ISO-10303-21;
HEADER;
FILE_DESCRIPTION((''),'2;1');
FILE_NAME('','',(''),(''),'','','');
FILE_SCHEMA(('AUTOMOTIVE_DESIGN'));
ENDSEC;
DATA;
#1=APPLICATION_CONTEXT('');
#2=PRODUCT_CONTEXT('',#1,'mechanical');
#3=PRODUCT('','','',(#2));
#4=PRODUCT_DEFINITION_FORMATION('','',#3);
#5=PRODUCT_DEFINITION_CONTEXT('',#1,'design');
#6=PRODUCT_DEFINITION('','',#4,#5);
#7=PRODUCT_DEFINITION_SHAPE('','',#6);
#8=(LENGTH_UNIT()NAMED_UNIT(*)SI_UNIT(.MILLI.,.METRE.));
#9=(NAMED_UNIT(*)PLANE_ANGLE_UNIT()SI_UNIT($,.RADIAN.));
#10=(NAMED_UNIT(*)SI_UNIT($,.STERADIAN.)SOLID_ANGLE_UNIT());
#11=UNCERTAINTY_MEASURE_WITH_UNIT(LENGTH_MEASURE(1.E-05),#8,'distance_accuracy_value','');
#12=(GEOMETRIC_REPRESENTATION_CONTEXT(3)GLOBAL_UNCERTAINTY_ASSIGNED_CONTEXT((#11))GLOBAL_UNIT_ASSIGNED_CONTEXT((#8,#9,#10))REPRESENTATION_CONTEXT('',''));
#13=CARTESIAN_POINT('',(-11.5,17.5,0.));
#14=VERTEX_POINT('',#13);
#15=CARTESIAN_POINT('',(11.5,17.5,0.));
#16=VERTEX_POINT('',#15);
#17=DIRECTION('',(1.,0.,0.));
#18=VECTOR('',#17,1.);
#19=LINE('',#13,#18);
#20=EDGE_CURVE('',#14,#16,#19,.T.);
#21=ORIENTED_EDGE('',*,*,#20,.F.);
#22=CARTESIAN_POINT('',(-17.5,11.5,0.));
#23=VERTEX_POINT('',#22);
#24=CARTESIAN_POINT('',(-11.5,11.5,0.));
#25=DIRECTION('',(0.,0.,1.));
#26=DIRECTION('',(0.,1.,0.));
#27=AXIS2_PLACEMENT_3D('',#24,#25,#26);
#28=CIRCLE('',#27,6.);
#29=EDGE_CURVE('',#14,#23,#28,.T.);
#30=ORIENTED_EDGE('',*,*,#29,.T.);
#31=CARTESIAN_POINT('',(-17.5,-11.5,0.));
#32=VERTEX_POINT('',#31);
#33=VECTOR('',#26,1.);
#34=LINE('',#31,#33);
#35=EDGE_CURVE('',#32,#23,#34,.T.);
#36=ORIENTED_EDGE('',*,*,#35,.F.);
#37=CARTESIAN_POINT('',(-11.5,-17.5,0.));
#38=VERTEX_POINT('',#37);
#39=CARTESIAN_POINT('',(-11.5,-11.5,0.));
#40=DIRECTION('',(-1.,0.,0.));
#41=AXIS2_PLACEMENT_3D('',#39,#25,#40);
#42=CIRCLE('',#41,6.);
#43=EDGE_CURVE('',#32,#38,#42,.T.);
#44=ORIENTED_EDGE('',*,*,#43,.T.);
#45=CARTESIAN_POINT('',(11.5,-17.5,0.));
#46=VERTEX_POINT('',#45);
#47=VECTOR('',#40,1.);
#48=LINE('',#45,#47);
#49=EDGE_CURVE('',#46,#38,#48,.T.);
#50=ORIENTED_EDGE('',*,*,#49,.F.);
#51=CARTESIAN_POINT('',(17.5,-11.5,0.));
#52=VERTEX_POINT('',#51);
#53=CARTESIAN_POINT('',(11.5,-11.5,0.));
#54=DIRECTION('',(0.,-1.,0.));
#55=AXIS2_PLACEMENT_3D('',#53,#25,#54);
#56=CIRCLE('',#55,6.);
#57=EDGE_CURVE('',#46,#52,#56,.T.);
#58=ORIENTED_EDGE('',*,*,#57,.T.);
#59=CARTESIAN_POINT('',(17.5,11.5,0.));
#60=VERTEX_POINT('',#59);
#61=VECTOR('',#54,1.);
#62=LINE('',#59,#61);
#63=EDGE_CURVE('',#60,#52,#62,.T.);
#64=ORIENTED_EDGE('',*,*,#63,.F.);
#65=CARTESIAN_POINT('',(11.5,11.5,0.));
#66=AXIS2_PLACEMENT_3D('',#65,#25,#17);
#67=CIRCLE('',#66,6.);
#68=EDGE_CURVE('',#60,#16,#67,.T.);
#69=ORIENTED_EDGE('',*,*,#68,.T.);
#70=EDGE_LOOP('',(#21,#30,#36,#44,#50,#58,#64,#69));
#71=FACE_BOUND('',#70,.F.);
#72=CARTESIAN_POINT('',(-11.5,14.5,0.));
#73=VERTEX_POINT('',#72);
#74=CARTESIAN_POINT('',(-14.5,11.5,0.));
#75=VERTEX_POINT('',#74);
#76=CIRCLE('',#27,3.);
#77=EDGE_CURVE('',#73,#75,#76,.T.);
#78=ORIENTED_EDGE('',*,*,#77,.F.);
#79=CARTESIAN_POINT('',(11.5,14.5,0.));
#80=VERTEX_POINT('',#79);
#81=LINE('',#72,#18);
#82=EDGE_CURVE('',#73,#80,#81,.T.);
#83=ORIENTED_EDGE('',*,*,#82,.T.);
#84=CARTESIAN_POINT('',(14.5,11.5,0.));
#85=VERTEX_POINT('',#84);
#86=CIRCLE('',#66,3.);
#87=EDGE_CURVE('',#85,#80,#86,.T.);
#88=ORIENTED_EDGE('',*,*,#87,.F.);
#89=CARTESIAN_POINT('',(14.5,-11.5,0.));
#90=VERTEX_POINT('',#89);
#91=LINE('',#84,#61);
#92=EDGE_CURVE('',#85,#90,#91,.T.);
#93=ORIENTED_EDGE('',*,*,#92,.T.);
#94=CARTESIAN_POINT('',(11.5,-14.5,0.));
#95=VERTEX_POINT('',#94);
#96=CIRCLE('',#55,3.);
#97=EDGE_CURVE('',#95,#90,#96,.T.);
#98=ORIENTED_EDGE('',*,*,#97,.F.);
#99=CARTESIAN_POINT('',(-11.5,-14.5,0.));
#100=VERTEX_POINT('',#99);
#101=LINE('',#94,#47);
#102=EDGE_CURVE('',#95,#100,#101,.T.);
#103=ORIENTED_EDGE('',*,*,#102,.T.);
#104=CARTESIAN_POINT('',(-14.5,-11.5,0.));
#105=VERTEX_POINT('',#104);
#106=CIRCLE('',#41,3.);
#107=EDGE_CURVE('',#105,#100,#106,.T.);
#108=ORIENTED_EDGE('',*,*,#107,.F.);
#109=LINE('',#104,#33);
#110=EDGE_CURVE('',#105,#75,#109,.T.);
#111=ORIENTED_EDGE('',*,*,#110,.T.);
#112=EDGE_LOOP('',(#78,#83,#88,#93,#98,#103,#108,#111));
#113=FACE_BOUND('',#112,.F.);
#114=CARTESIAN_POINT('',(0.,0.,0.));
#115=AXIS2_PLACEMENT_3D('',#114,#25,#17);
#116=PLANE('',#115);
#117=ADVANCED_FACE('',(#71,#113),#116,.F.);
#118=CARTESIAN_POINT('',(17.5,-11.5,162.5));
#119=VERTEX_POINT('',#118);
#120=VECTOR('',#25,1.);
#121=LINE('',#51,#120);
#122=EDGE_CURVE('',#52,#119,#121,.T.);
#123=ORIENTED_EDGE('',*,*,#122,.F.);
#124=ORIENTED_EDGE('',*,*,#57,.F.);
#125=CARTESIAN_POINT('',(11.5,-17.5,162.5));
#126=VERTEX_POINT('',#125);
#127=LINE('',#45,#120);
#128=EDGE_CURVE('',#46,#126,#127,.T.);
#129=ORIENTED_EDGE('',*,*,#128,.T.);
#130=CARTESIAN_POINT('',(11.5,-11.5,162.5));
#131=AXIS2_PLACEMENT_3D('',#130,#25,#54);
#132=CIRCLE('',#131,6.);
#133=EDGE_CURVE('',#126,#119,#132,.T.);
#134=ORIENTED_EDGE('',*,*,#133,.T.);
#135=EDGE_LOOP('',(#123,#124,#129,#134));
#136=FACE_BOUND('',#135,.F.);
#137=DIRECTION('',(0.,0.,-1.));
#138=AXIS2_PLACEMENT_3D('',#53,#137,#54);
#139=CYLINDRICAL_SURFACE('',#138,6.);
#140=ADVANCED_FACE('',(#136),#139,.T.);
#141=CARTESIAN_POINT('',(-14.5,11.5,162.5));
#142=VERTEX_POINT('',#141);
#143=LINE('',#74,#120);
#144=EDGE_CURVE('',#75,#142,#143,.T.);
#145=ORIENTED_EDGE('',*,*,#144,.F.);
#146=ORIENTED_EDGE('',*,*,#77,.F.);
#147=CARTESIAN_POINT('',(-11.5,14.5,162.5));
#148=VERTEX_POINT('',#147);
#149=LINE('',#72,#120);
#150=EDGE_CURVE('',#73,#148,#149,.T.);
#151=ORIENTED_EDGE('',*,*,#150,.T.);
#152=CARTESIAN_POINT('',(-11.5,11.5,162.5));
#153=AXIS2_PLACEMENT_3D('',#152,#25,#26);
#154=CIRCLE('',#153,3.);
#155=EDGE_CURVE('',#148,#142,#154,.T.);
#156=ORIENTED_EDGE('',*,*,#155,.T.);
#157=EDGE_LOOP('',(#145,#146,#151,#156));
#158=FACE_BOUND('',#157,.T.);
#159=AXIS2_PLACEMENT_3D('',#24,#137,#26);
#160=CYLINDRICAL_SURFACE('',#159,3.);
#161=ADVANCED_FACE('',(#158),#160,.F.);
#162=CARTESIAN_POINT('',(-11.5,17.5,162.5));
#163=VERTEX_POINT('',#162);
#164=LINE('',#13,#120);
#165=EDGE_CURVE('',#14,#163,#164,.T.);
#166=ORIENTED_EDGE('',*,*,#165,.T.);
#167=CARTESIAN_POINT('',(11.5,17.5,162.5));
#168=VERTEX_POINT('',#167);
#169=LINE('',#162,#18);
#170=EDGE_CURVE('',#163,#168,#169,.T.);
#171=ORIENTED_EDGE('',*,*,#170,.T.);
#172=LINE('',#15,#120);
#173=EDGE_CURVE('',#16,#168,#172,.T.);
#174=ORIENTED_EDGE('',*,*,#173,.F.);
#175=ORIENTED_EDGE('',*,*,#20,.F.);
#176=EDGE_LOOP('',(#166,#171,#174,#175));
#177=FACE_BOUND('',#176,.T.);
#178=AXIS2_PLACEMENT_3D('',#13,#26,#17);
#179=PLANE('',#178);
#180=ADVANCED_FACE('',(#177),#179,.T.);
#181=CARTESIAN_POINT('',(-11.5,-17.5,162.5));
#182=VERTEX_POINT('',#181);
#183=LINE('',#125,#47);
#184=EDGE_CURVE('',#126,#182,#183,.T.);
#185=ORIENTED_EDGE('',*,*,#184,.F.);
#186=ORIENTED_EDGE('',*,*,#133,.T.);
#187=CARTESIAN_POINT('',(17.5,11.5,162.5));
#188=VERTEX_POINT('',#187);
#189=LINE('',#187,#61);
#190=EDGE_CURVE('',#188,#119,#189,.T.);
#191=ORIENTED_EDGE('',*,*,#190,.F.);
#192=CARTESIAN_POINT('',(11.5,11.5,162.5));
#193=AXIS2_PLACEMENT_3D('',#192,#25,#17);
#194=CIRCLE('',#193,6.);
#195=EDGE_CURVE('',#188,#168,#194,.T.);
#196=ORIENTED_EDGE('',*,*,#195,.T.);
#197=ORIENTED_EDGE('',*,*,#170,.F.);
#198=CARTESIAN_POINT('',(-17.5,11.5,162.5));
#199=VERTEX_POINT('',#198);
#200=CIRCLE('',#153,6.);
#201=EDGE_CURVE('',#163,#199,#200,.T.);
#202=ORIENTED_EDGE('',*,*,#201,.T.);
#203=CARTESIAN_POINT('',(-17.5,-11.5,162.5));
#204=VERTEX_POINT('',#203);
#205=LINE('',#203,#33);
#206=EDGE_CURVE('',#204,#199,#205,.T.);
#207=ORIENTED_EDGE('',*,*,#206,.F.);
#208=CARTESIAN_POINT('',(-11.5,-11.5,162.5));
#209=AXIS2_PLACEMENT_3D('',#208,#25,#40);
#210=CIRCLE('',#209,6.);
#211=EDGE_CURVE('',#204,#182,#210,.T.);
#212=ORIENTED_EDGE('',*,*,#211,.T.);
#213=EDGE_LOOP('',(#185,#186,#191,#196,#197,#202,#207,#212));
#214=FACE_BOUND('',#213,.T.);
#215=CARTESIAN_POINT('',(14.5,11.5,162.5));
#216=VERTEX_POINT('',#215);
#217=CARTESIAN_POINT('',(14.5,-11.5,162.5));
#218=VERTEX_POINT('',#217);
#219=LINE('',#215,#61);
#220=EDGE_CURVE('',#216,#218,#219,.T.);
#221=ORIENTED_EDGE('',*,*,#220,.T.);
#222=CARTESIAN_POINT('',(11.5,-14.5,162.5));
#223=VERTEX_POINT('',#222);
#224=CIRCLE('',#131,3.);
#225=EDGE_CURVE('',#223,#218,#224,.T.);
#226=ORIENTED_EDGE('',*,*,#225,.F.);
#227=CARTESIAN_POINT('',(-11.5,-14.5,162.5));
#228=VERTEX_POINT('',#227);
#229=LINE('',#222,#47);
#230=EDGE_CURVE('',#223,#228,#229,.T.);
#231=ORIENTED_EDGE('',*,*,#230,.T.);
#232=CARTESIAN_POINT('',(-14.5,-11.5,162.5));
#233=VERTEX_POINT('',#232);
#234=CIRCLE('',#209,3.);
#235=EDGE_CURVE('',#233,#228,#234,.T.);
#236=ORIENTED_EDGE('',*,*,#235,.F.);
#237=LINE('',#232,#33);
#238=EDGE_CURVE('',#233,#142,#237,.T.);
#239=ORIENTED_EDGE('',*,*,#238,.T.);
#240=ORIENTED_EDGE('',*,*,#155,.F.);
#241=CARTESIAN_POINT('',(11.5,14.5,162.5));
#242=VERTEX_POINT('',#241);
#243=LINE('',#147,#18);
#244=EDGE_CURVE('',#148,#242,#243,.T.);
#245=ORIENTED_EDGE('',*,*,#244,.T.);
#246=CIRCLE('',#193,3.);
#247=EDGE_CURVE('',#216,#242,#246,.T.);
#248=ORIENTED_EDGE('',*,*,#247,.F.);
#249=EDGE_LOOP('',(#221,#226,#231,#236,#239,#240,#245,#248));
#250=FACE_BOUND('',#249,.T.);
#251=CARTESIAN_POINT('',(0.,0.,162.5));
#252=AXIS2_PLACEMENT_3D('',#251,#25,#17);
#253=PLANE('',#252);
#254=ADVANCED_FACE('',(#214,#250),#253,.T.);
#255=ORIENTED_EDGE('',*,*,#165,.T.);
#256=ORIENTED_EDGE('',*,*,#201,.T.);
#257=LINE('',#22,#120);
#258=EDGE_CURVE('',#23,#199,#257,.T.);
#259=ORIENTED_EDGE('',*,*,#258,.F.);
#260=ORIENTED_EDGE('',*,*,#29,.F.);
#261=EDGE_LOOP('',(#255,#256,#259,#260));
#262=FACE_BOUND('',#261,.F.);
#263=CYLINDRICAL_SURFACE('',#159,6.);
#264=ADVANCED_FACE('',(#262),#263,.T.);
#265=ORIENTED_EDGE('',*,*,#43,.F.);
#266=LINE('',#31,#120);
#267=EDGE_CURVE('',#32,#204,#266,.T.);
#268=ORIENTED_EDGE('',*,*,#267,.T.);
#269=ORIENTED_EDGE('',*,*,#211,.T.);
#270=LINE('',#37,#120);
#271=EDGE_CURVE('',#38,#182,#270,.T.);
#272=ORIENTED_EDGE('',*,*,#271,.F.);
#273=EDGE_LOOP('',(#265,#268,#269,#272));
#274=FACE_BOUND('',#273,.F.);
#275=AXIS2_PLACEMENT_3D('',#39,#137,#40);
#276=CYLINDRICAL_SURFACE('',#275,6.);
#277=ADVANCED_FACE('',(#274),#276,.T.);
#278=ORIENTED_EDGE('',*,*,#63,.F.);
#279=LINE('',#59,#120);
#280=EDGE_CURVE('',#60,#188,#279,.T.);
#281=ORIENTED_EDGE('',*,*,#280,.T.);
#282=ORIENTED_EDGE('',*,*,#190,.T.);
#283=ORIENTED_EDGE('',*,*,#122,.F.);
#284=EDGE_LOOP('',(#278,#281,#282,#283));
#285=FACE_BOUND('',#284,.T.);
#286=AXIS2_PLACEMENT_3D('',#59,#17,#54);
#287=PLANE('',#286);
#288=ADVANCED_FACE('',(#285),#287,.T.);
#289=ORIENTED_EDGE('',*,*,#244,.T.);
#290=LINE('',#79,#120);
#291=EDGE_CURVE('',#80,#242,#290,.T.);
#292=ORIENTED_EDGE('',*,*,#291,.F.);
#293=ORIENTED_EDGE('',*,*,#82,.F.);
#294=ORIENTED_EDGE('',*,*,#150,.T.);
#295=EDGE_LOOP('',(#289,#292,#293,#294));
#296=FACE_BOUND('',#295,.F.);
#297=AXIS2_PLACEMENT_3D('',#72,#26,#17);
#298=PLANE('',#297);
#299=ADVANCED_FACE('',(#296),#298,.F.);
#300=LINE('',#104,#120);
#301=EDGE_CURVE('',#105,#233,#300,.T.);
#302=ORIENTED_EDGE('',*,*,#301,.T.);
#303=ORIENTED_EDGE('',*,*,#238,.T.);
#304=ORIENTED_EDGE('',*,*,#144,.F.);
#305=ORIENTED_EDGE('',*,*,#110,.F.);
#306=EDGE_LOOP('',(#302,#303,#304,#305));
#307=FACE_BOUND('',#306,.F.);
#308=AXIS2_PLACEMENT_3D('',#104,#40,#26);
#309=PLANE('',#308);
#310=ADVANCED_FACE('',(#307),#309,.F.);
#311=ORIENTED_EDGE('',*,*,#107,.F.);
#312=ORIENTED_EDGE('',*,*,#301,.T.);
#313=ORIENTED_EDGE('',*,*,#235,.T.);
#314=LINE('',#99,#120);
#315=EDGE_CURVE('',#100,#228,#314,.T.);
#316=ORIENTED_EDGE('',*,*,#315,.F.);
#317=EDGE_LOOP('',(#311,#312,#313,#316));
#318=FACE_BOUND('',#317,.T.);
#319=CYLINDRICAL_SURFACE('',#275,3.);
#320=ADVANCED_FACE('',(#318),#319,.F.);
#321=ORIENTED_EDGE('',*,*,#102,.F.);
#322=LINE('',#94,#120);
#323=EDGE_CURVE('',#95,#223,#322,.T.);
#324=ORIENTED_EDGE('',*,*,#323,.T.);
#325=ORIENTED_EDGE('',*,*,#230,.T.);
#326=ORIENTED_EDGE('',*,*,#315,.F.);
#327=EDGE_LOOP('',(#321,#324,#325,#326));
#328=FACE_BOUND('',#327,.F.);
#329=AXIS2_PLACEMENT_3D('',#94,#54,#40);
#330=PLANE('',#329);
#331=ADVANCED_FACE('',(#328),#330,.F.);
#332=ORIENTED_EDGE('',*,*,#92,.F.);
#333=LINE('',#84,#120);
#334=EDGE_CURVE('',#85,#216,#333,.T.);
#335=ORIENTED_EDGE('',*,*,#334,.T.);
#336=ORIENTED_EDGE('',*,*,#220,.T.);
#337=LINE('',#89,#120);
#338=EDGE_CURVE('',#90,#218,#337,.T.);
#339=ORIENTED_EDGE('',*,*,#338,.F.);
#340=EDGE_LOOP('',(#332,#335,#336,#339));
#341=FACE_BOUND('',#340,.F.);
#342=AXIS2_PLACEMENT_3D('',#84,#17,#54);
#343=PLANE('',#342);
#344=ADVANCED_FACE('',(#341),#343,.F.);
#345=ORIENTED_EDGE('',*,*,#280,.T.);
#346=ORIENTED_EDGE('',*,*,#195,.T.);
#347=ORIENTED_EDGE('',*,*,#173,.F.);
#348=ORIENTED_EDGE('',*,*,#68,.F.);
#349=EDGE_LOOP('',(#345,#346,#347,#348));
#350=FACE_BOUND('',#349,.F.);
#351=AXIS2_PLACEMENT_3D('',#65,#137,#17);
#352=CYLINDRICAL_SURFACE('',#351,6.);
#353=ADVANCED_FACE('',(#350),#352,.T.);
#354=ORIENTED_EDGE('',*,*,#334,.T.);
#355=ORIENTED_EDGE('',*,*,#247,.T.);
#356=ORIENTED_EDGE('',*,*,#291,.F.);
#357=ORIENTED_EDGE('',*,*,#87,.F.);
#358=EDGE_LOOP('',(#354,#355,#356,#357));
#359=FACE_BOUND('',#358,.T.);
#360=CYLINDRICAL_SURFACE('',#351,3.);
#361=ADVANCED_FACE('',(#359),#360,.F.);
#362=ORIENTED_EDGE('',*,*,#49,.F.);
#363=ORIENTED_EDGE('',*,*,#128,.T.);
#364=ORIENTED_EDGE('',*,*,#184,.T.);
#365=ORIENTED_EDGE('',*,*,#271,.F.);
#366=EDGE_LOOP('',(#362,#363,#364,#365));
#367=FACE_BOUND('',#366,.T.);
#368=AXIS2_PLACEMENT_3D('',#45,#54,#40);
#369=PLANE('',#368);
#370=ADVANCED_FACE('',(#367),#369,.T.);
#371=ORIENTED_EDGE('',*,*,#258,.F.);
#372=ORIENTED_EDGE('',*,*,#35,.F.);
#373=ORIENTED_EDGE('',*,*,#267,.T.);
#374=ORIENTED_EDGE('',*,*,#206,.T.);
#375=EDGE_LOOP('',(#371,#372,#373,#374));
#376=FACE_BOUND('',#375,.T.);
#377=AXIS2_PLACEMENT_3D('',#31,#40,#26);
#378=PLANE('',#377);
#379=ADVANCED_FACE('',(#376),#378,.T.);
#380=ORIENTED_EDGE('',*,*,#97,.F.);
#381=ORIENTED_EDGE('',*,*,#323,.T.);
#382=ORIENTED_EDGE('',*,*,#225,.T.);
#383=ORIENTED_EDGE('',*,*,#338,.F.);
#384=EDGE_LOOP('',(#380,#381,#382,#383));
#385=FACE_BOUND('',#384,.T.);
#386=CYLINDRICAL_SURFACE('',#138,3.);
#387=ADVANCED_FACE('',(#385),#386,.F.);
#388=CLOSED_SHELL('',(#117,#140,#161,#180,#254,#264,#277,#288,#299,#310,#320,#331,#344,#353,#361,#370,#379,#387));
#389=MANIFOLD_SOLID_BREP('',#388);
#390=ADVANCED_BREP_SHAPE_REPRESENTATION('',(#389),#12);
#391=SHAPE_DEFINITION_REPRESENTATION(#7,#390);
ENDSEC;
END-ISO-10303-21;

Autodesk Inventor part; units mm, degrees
ref_plane "Start plane" through (0, 0, 0) normal (0, 0, 1) x (1, 0, 0)
ref_plane "End plane" through (0, 0, 162.5) normal (0, 0, 1) x (1, 0, 0)
sketch "Sketch" plane through (0, 0, 0) normal (0, 0, 1) x (1, 0, 0)
  line L0 (-17.5, -11.5) -> (-17.5, 11.5)
  line L1 (-11.5, 17.5) -> (11.5, 17.5)
  line L2 (17.5, 11.5) -> (17.5, -11.5)
  line L3 (11.5, -17.5) -> (-11.5, -17.5)
  arc A0 (-17.5, -11.5) -> (-11.5, -17.5) centre (-11.5, -11.5) ccw
  arc A1 (-11.5, 17.5) -> (-17.5, 11.5) centre (-11.5, 11.5) ccw
  arc A2 (17.5, 11.5) -> (11.5, 17.5) centre (11.5, 11.5) ccw
  arc A3 (11.5, -17.5) -> (17.5, -11.5) centre (11.5, -11.5) ccw
  arc A4 (-11.5, 14.5) -> (-14.5, 11.5) centre (-11.5, 11.5) ccw
  line L4 (-11.5, 14.5) -> (11.5, 14.5)
  arc A5 (14.5, 11.5) -> (11.5, 14.5) centre (11.5, 11.5) ccw
  line L5 (14.5, 11.5) -> (14.5, -11.5)
  arc A6 (11.5, -14.5) -> (14.5, -11.5) centre (11.5, -11.5) ccw
  line L6 (11.5, -14.5) -> (-11.5, -14.5)
  arc A7 (-14.5, -11.5) -> (-11.5, -14.5) centre (-11.5, -11.5) ccw
  line L7 (-14.5, -11.5) -> (-14.5, 11.5)
  line L8 (0, 25.4278) -> (0, -25.4278) construction
  line L9 (-25.4278, 0) -> (25.4278, 0) construction
  dimension "d7" = 6
  dimension "d10" = 35
  dimension "d11" = 35
  dimension "d12" = 3
  dimension "d15" = 17.5
  dimension "d16" = 17.5
extrude "Body" add sketch "Sketch" along normal up to surface (162.5 mm away) from surface at 0
sketch "Sketch3" plane through (0, 0, 0) normal (0, 0, 1) x (1, 0, 0)
  line L0 (0, 0) -> (10, 0)
ref_plane "Work Plane3" through (0, 0, 0) normal (0, -1, 0) x (1, 0, 0)
sketch "Sketch4" plane through (0, 0, 0) normal (0, -1, 0) x (1, 0, 0)
  line L0 (-2, 0) -> (12, 0)
  line L1 (-2, 162.5) -> (12, 162.5)
  dimension "d18" = 162.5
ref_plane "Work Plane4" through (-730, 0, 162.5) normal (0, 0, 1) x (1, 0, 0)
split "Split1" plane through (-730, 0, 162.5) removes the side toward (0, 0, 1)
equation "\"d7\" = G_IR"
equation "\"d10\" = G_H"
equation "\"d11\" = G_W"
equation "\"d12\" = G_T"
equation "\"d15\" = 0.5 * d10"
equation "\"d16\" = 0.5 * d11"
equation "\"d3\" = G_L"
equation "\"G_W\" = 35"
equation "\"G_H\" = 35"
equation "\"G_T\" = 3"
equation "\"G_IR\" = 6"
equation "\"G_L\" = d18"
equation "\"G_OFFSET_START\" = 0"
equation "\"G_OFFSET_END\" = -17.5"
equation "\"d14\" = G_OFFSET_END + B_L"
equation "\"B_L\" = 180"
properties part number "AS 1163 - C350L0 35x35x3.0 SHS - 162.5" material "Steel, Mild"
